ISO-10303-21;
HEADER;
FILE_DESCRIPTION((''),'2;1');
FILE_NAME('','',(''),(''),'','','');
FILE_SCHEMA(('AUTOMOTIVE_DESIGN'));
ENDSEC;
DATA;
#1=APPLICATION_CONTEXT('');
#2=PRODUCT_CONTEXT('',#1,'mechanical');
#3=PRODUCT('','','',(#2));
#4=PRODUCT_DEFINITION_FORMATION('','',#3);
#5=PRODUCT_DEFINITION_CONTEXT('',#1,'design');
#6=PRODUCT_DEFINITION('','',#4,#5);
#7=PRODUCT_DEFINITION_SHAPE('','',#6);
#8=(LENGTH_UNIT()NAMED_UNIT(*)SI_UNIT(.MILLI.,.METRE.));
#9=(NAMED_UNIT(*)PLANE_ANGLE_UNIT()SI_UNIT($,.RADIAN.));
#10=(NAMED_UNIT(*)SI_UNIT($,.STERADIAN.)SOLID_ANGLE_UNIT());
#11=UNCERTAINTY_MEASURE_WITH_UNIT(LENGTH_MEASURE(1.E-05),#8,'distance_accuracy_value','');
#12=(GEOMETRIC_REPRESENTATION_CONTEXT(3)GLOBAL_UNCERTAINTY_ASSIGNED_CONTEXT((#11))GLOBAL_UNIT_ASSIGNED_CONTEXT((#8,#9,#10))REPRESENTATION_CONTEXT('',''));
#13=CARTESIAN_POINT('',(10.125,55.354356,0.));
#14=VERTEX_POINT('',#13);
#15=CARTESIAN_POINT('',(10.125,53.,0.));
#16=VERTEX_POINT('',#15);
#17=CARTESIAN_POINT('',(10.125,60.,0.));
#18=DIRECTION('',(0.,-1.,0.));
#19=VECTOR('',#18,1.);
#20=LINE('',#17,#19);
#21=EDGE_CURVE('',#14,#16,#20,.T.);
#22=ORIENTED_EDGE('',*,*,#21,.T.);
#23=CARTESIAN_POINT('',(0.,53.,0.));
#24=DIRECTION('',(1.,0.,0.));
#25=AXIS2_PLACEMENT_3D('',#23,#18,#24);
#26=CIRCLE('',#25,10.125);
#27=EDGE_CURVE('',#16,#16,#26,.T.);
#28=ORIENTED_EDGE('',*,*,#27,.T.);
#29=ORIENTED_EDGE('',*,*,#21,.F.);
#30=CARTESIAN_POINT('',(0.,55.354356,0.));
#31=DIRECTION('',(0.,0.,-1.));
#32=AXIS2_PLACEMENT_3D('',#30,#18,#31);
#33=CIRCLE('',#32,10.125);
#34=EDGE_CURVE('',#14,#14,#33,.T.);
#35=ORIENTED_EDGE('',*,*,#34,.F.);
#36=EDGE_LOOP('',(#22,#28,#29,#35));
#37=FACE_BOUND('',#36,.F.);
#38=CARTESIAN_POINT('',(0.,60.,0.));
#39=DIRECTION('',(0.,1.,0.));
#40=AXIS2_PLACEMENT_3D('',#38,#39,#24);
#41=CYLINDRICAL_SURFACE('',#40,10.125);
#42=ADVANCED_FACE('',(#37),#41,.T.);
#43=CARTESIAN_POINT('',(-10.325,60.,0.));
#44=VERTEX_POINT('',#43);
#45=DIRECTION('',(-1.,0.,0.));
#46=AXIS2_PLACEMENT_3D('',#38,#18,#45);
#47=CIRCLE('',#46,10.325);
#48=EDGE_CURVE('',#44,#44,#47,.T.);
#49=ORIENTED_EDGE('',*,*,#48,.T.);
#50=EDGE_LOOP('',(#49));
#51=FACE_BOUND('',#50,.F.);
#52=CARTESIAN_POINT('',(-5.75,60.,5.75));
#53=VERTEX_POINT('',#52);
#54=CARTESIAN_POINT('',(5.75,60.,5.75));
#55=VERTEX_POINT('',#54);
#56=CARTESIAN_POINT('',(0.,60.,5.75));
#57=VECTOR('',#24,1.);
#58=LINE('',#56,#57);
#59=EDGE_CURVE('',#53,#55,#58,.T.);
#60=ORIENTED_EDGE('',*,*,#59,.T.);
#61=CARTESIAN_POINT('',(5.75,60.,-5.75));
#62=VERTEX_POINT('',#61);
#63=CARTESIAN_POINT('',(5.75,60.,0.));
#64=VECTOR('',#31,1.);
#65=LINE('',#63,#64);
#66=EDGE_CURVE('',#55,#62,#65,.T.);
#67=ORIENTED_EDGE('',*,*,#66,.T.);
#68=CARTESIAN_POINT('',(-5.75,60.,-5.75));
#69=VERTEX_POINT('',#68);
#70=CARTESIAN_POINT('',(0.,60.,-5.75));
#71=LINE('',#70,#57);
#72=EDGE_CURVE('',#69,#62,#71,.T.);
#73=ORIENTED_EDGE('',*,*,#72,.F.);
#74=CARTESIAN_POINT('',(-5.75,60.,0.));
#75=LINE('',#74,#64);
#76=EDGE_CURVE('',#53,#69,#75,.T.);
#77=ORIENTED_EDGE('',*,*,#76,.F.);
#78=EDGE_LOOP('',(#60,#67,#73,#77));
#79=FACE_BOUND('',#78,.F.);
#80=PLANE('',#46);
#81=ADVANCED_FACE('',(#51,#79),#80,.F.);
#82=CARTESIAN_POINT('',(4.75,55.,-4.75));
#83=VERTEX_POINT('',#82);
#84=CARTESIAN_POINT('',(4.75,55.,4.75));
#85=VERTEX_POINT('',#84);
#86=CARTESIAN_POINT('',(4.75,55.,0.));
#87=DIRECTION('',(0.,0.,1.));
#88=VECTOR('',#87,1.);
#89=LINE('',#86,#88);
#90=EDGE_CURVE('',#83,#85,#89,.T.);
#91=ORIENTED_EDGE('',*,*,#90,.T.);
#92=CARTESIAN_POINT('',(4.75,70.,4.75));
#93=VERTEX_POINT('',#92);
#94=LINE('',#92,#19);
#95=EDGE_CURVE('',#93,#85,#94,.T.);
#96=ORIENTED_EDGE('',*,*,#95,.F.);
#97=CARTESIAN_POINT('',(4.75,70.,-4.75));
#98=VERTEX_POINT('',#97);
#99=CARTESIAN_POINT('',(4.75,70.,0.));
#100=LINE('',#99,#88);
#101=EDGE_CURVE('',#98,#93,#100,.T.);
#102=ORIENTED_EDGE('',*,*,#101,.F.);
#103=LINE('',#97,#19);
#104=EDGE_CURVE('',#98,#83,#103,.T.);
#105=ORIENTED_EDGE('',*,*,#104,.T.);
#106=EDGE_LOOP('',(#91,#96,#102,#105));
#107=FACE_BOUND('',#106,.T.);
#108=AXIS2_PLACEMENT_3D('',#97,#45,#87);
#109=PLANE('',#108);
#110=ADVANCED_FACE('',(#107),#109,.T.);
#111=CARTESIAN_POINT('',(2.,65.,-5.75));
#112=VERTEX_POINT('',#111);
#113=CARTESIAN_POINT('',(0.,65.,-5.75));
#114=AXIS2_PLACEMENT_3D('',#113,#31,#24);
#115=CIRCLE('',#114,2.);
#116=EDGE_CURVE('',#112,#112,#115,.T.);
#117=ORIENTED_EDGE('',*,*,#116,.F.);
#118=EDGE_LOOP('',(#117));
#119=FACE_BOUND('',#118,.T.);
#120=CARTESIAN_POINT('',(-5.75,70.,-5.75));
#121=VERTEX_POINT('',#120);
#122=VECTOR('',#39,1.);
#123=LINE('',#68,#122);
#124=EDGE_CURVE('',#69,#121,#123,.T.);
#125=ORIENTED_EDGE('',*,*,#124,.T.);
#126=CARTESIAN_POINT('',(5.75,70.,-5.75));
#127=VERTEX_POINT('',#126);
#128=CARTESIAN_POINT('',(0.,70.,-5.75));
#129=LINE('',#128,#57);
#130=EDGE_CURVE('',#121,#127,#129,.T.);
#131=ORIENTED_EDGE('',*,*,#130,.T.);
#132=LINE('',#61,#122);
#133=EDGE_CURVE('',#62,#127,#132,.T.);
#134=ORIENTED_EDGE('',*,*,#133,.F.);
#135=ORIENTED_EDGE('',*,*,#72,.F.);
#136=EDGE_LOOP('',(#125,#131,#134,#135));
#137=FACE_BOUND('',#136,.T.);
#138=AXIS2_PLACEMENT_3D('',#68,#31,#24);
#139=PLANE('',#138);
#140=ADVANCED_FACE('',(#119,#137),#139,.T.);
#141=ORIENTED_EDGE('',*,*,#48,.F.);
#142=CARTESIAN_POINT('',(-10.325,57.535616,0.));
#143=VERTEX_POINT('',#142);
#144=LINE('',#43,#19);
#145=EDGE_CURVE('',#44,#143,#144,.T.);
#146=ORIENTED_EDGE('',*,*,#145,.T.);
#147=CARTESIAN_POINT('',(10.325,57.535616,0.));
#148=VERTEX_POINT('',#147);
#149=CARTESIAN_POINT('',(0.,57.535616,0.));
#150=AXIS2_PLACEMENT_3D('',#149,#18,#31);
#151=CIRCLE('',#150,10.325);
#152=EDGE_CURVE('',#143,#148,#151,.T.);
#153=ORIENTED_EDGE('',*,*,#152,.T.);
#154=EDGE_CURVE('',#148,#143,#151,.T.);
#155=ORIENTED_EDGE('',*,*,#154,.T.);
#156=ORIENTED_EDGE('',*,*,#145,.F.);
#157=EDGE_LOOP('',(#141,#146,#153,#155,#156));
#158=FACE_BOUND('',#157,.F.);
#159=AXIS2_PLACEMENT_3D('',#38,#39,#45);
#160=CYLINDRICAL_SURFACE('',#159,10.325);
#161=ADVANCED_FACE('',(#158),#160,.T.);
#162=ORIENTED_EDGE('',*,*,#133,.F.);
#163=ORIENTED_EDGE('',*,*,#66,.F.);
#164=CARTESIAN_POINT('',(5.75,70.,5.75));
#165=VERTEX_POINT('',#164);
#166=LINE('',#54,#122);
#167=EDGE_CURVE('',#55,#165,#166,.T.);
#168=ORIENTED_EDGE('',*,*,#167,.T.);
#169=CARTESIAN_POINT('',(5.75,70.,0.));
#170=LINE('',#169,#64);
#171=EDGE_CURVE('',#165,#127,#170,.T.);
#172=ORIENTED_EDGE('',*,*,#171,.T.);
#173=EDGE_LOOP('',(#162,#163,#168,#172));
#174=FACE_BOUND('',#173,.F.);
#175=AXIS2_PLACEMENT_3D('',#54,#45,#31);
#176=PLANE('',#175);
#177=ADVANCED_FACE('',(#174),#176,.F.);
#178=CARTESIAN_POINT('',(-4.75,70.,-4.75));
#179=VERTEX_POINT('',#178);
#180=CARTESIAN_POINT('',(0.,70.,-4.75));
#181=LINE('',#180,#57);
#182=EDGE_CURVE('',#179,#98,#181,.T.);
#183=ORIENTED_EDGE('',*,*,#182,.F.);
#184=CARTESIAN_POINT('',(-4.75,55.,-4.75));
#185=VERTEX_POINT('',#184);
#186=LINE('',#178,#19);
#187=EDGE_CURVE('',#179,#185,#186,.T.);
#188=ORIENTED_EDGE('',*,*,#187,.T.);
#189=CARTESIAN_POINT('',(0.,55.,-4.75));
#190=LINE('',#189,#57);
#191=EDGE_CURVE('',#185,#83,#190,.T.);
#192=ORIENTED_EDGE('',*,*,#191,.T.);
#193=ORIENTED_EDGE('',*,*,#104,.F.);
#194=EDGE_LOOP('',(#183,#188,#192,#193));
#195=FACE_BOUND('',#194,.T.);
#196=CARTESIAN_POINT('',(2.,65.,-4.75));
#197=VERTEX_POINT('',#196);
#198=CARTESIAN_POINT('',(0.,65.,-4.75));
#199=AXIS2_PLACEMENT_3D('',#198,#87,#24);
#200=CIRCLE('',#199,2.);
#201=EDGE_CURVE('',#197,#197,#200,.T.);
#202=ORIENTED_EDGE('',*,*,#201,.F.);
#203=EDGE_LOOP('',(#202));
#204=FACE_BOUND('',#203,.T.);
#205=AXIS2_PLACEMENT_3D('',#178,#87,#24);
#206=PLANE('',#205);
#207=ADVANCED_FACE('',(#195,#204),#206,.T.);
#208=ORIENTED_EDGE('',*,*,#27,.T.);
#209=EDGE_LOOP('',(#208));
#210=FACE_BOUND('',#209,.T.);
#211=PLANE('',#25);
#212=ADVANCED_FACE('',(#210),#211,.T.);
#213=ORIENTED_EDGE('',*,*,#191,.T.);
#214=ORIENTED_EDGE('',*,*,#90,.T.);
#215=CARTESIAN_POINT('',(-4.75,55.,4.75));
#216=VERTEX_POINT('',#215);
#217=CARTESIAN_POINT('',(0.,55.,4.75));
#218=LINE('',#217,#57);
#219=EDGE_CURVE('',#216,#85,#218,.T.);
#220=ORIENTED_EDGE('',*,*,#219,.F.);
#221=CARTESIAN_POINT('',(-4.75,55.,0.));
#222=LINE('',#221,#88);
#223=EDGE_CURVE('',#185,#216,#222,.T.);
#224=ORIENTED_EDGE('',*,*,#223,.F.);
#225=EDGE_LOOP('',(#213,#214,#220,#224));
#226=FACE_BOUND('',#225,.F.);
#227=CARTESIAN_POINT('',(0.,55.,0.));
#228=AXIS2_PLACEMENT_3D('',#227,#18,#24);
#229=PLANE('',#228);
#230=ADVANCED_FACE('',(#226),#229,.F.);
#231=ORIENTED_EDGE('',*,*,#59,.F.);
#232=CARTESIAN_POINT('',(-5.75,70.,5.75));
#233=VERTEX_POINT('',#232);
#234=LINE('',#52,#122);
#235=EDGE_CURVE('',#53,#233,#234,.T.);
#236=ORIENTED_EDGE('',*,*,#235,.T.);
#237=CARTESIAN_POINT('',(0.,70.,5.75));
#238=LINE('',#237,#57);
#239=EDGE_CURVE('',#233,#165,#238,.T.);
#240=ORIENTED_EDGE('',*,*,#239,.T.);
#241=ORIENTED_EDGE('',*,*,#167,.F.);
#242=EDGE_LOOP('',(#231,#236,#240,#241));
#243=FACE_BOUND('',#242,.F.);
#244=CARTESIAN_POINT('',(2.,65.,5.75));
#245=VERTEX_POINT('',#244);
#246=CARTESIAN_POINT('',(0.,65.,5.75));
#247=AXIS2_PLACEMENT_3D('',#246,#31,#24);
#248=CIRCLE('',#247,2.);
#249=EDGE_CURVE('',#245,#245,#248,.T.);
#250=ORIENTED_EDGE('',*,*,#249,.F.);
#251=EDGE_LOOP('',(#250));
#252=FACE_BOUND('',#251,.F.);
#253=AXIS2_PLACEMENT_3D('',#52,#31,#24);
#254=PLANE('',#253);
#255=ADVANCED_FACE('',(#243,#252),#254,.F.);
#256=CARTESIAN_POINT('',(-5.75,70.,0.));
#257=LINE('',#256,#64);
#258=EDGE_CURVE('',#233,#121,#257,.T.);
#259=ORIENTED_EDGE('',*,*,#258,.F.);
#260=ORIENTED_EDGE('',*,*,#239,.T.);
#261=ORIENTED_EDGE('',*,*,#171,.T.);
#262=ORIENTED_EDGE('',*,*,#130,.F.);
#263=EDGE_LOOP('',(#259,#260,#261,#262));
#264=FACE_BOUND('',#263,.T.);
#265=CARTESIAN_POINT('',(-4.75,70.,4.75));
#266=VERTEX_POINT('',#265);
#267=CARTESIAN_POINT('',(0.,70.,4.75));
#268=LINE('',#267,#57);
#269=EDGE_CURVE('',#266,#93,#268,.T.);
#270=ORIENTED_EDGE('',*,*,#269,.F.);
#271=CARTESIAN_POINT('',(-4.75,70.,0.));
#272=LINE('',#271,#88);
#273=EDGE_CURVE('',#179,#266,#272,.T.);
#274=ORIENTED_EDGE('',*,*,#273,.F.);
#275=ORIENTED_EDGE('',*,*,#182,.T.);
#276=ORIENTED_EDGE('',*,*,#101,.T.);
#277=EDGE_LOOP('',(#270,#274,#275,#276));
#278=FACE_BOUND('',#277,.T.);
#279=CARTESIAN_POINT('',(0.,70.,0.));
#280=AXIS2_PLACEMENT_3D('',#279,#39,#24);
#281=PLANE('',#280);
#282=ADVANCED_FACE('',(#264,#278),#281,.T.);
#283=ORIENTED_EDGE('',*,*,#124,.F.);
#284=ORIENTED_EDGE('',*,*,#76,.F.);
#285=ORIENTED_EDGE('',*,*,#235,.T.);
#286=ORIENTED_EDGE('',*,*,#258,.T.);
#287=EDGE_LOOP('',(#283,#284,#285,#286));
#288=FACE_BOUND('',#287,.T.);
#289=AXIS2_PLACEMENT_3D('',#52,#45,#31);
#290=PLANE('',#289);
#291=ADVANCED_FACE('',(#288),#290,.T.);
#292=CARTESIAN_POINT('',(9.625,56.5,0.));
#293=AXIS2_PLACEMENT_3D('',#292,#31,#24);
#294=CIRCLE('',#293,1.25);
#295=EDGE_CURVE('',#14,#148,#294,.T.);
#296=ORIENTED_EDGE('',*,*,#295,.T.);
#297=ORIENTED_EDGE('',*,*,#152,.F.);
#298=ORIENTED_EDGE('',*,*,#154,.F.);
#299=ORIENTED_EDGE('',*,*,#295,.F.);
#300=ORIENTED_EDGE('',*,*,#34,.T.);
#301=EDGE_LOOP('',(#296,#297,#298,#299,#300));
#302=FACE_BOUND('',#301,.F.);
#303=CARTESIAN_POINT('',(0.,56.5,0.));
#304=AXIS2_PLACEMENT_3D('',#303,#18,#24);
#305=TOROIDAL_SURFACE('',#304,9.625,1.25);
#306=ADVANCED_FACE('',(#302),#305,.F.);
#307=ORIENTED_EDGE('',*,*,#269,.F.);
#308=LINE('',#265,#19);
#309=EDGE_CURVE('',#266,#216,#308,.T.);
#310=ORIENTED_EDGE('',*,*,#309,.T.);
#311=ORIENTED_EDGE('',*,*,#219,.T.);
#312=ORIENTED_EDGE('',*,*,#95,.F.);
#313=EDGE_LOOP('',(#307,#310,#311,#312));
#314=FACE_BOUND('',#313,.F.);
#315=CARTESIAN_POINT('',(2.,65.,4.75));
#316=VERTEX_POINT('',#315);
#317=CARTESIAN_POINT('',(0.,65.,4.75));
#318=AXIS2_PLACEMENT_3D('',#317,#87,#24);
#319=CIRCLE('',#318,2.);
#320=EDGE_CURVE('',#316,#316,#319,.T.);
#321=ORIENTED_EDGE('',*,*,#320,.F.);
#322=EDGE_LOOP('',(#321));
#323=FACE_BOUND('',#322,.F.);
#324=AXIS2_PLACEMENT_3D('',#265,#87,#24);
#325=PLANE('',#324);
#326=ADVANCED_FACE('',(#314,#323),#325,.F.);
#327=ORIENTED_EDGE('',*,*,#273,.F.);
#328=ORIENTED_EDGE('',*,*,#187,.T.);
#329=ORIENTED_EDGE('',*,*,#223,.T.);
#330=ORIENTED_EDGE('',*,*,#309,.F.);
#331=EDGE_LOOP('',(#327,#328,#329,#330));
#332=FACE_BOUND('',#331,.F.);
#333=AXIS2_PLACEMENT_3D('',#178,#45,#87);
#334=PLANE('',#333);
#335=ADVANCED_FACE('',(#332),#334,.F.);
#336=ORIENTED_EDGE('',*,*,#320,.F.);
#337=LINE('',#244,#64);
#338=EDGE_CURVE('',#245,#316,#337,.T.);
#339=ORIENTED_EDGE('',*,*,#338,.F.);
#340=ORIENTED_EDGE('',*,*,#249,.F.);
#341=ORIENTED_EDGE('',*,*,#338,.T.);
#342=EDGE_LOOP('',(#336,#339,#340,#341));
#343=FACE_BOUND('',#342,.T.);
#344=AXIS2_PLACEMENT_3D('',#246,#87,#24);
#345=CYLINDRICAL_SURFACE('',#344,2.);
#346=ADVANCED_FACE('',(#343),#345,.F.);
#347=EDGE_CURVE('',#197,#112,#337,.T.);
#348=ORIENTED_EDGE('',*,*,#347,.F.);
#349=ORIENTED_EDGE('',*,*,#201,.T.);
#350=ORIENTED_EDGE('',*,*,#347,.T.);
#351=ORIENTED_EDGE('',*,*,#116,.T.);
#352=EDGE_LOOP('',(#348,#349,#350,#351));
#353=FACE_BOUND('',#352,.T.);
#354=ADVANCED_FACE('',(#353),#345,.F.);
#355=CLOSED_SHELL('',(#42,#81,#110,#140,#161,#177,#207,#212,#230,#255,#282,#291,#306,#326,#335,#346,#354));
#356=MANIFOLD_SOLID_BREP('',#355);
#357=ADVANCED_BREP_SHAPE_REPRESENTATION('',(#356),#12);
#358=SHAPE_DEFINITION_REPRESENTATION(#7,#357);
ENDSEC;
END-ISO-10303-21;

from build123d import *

# Parameters (mm, degrees)
CYLINDER019_R     = 10.125
CYLINDER019_DEPTH = 7
BOX016_W          = 11.5
BOX016_H          = 11.5
BOX016_DEPTH      = 10
CYLINDER023_R     = 10.325
CYLINDER023_DEPTH = 2.5
BOX017_W          = 9.5
BOX017_H          = 9.5
BOX017_DEPTH      = 15
CYLINDER020_R     = 2
CYLINDER020_DEPTH = 11.5
TORUS_R           = 1.25


with BuildPart() as part:
    # Cylinder019 → Cylinder019 (join)
    with BuildSketch(Plane.XZ):
        Circle(CYLINDER019_R)
    extrude(amount=CYLINDER019_DEPTH)

    # Box016 → Box016 (join)
    with BuildSketch(Plane(origin=(-5.75, 0, 5.75), x_dir=(1, 0, 0), z_dir=(0, 1, 0))):
        with Locations((5.75, 5.75)):
            Rectangle(BOX016_W, BOX016_H)
    extrude(amount=BOX016_DEPTH)

    # Cylinder023 → Cylinder023 (join)
    with BuildSketch(Plane(origin=(0, 0, 0), x_dir=(-1, 0, 0), z_dir=(0, -1, 0))):
        Circle(CYLINDER023_R)
    extrude(amount=CYLINDER023_DEPTH)

    # Box017 → Box017 (cut)
    with BuildSketch(Plane(origin=(-4.75, 10, -4.75), x_dir=(1, 0, 0), z_dir=(0, -1, 0))):
        with Locations((4.75, 4.75)):
            Rectangle(BOX017_W, BOX017_H)
    extrude(amount=BOX017_DEPTH, mode=Mode.SUBTRACT)

    # Cylinder020 → Cylinder020 (cut)
    with BuildSketch(Plane(origin=(0, 5, 5.75), x_dir=(1, 0, 0), z_dir=(0, 0, -1))):
        Circle(CYLINDER020_R)
    extrude(amount=CYLINDER020_DEPTH, mode=Mode.SUBTRACT)

    # Torus → Torus (revolve, cut)
    with BuildSketch(Plane(origin=(0, -3.5, 0), x_dir=(1, 0, 0), z_dir=(0, 0, -1))):
        with Locations((9.625, 0)):
            Circle(TORUS_R)
    revolve(axis=Axis((0, -3.5, 0), (0, -1, 0)), mode=Mode.SUBTRACT)


with BuildPart() as part_1:
    # Body004 placement: moved
    add(part.part.moved(Location((0, 60, 0))))


solid = part_1.part
